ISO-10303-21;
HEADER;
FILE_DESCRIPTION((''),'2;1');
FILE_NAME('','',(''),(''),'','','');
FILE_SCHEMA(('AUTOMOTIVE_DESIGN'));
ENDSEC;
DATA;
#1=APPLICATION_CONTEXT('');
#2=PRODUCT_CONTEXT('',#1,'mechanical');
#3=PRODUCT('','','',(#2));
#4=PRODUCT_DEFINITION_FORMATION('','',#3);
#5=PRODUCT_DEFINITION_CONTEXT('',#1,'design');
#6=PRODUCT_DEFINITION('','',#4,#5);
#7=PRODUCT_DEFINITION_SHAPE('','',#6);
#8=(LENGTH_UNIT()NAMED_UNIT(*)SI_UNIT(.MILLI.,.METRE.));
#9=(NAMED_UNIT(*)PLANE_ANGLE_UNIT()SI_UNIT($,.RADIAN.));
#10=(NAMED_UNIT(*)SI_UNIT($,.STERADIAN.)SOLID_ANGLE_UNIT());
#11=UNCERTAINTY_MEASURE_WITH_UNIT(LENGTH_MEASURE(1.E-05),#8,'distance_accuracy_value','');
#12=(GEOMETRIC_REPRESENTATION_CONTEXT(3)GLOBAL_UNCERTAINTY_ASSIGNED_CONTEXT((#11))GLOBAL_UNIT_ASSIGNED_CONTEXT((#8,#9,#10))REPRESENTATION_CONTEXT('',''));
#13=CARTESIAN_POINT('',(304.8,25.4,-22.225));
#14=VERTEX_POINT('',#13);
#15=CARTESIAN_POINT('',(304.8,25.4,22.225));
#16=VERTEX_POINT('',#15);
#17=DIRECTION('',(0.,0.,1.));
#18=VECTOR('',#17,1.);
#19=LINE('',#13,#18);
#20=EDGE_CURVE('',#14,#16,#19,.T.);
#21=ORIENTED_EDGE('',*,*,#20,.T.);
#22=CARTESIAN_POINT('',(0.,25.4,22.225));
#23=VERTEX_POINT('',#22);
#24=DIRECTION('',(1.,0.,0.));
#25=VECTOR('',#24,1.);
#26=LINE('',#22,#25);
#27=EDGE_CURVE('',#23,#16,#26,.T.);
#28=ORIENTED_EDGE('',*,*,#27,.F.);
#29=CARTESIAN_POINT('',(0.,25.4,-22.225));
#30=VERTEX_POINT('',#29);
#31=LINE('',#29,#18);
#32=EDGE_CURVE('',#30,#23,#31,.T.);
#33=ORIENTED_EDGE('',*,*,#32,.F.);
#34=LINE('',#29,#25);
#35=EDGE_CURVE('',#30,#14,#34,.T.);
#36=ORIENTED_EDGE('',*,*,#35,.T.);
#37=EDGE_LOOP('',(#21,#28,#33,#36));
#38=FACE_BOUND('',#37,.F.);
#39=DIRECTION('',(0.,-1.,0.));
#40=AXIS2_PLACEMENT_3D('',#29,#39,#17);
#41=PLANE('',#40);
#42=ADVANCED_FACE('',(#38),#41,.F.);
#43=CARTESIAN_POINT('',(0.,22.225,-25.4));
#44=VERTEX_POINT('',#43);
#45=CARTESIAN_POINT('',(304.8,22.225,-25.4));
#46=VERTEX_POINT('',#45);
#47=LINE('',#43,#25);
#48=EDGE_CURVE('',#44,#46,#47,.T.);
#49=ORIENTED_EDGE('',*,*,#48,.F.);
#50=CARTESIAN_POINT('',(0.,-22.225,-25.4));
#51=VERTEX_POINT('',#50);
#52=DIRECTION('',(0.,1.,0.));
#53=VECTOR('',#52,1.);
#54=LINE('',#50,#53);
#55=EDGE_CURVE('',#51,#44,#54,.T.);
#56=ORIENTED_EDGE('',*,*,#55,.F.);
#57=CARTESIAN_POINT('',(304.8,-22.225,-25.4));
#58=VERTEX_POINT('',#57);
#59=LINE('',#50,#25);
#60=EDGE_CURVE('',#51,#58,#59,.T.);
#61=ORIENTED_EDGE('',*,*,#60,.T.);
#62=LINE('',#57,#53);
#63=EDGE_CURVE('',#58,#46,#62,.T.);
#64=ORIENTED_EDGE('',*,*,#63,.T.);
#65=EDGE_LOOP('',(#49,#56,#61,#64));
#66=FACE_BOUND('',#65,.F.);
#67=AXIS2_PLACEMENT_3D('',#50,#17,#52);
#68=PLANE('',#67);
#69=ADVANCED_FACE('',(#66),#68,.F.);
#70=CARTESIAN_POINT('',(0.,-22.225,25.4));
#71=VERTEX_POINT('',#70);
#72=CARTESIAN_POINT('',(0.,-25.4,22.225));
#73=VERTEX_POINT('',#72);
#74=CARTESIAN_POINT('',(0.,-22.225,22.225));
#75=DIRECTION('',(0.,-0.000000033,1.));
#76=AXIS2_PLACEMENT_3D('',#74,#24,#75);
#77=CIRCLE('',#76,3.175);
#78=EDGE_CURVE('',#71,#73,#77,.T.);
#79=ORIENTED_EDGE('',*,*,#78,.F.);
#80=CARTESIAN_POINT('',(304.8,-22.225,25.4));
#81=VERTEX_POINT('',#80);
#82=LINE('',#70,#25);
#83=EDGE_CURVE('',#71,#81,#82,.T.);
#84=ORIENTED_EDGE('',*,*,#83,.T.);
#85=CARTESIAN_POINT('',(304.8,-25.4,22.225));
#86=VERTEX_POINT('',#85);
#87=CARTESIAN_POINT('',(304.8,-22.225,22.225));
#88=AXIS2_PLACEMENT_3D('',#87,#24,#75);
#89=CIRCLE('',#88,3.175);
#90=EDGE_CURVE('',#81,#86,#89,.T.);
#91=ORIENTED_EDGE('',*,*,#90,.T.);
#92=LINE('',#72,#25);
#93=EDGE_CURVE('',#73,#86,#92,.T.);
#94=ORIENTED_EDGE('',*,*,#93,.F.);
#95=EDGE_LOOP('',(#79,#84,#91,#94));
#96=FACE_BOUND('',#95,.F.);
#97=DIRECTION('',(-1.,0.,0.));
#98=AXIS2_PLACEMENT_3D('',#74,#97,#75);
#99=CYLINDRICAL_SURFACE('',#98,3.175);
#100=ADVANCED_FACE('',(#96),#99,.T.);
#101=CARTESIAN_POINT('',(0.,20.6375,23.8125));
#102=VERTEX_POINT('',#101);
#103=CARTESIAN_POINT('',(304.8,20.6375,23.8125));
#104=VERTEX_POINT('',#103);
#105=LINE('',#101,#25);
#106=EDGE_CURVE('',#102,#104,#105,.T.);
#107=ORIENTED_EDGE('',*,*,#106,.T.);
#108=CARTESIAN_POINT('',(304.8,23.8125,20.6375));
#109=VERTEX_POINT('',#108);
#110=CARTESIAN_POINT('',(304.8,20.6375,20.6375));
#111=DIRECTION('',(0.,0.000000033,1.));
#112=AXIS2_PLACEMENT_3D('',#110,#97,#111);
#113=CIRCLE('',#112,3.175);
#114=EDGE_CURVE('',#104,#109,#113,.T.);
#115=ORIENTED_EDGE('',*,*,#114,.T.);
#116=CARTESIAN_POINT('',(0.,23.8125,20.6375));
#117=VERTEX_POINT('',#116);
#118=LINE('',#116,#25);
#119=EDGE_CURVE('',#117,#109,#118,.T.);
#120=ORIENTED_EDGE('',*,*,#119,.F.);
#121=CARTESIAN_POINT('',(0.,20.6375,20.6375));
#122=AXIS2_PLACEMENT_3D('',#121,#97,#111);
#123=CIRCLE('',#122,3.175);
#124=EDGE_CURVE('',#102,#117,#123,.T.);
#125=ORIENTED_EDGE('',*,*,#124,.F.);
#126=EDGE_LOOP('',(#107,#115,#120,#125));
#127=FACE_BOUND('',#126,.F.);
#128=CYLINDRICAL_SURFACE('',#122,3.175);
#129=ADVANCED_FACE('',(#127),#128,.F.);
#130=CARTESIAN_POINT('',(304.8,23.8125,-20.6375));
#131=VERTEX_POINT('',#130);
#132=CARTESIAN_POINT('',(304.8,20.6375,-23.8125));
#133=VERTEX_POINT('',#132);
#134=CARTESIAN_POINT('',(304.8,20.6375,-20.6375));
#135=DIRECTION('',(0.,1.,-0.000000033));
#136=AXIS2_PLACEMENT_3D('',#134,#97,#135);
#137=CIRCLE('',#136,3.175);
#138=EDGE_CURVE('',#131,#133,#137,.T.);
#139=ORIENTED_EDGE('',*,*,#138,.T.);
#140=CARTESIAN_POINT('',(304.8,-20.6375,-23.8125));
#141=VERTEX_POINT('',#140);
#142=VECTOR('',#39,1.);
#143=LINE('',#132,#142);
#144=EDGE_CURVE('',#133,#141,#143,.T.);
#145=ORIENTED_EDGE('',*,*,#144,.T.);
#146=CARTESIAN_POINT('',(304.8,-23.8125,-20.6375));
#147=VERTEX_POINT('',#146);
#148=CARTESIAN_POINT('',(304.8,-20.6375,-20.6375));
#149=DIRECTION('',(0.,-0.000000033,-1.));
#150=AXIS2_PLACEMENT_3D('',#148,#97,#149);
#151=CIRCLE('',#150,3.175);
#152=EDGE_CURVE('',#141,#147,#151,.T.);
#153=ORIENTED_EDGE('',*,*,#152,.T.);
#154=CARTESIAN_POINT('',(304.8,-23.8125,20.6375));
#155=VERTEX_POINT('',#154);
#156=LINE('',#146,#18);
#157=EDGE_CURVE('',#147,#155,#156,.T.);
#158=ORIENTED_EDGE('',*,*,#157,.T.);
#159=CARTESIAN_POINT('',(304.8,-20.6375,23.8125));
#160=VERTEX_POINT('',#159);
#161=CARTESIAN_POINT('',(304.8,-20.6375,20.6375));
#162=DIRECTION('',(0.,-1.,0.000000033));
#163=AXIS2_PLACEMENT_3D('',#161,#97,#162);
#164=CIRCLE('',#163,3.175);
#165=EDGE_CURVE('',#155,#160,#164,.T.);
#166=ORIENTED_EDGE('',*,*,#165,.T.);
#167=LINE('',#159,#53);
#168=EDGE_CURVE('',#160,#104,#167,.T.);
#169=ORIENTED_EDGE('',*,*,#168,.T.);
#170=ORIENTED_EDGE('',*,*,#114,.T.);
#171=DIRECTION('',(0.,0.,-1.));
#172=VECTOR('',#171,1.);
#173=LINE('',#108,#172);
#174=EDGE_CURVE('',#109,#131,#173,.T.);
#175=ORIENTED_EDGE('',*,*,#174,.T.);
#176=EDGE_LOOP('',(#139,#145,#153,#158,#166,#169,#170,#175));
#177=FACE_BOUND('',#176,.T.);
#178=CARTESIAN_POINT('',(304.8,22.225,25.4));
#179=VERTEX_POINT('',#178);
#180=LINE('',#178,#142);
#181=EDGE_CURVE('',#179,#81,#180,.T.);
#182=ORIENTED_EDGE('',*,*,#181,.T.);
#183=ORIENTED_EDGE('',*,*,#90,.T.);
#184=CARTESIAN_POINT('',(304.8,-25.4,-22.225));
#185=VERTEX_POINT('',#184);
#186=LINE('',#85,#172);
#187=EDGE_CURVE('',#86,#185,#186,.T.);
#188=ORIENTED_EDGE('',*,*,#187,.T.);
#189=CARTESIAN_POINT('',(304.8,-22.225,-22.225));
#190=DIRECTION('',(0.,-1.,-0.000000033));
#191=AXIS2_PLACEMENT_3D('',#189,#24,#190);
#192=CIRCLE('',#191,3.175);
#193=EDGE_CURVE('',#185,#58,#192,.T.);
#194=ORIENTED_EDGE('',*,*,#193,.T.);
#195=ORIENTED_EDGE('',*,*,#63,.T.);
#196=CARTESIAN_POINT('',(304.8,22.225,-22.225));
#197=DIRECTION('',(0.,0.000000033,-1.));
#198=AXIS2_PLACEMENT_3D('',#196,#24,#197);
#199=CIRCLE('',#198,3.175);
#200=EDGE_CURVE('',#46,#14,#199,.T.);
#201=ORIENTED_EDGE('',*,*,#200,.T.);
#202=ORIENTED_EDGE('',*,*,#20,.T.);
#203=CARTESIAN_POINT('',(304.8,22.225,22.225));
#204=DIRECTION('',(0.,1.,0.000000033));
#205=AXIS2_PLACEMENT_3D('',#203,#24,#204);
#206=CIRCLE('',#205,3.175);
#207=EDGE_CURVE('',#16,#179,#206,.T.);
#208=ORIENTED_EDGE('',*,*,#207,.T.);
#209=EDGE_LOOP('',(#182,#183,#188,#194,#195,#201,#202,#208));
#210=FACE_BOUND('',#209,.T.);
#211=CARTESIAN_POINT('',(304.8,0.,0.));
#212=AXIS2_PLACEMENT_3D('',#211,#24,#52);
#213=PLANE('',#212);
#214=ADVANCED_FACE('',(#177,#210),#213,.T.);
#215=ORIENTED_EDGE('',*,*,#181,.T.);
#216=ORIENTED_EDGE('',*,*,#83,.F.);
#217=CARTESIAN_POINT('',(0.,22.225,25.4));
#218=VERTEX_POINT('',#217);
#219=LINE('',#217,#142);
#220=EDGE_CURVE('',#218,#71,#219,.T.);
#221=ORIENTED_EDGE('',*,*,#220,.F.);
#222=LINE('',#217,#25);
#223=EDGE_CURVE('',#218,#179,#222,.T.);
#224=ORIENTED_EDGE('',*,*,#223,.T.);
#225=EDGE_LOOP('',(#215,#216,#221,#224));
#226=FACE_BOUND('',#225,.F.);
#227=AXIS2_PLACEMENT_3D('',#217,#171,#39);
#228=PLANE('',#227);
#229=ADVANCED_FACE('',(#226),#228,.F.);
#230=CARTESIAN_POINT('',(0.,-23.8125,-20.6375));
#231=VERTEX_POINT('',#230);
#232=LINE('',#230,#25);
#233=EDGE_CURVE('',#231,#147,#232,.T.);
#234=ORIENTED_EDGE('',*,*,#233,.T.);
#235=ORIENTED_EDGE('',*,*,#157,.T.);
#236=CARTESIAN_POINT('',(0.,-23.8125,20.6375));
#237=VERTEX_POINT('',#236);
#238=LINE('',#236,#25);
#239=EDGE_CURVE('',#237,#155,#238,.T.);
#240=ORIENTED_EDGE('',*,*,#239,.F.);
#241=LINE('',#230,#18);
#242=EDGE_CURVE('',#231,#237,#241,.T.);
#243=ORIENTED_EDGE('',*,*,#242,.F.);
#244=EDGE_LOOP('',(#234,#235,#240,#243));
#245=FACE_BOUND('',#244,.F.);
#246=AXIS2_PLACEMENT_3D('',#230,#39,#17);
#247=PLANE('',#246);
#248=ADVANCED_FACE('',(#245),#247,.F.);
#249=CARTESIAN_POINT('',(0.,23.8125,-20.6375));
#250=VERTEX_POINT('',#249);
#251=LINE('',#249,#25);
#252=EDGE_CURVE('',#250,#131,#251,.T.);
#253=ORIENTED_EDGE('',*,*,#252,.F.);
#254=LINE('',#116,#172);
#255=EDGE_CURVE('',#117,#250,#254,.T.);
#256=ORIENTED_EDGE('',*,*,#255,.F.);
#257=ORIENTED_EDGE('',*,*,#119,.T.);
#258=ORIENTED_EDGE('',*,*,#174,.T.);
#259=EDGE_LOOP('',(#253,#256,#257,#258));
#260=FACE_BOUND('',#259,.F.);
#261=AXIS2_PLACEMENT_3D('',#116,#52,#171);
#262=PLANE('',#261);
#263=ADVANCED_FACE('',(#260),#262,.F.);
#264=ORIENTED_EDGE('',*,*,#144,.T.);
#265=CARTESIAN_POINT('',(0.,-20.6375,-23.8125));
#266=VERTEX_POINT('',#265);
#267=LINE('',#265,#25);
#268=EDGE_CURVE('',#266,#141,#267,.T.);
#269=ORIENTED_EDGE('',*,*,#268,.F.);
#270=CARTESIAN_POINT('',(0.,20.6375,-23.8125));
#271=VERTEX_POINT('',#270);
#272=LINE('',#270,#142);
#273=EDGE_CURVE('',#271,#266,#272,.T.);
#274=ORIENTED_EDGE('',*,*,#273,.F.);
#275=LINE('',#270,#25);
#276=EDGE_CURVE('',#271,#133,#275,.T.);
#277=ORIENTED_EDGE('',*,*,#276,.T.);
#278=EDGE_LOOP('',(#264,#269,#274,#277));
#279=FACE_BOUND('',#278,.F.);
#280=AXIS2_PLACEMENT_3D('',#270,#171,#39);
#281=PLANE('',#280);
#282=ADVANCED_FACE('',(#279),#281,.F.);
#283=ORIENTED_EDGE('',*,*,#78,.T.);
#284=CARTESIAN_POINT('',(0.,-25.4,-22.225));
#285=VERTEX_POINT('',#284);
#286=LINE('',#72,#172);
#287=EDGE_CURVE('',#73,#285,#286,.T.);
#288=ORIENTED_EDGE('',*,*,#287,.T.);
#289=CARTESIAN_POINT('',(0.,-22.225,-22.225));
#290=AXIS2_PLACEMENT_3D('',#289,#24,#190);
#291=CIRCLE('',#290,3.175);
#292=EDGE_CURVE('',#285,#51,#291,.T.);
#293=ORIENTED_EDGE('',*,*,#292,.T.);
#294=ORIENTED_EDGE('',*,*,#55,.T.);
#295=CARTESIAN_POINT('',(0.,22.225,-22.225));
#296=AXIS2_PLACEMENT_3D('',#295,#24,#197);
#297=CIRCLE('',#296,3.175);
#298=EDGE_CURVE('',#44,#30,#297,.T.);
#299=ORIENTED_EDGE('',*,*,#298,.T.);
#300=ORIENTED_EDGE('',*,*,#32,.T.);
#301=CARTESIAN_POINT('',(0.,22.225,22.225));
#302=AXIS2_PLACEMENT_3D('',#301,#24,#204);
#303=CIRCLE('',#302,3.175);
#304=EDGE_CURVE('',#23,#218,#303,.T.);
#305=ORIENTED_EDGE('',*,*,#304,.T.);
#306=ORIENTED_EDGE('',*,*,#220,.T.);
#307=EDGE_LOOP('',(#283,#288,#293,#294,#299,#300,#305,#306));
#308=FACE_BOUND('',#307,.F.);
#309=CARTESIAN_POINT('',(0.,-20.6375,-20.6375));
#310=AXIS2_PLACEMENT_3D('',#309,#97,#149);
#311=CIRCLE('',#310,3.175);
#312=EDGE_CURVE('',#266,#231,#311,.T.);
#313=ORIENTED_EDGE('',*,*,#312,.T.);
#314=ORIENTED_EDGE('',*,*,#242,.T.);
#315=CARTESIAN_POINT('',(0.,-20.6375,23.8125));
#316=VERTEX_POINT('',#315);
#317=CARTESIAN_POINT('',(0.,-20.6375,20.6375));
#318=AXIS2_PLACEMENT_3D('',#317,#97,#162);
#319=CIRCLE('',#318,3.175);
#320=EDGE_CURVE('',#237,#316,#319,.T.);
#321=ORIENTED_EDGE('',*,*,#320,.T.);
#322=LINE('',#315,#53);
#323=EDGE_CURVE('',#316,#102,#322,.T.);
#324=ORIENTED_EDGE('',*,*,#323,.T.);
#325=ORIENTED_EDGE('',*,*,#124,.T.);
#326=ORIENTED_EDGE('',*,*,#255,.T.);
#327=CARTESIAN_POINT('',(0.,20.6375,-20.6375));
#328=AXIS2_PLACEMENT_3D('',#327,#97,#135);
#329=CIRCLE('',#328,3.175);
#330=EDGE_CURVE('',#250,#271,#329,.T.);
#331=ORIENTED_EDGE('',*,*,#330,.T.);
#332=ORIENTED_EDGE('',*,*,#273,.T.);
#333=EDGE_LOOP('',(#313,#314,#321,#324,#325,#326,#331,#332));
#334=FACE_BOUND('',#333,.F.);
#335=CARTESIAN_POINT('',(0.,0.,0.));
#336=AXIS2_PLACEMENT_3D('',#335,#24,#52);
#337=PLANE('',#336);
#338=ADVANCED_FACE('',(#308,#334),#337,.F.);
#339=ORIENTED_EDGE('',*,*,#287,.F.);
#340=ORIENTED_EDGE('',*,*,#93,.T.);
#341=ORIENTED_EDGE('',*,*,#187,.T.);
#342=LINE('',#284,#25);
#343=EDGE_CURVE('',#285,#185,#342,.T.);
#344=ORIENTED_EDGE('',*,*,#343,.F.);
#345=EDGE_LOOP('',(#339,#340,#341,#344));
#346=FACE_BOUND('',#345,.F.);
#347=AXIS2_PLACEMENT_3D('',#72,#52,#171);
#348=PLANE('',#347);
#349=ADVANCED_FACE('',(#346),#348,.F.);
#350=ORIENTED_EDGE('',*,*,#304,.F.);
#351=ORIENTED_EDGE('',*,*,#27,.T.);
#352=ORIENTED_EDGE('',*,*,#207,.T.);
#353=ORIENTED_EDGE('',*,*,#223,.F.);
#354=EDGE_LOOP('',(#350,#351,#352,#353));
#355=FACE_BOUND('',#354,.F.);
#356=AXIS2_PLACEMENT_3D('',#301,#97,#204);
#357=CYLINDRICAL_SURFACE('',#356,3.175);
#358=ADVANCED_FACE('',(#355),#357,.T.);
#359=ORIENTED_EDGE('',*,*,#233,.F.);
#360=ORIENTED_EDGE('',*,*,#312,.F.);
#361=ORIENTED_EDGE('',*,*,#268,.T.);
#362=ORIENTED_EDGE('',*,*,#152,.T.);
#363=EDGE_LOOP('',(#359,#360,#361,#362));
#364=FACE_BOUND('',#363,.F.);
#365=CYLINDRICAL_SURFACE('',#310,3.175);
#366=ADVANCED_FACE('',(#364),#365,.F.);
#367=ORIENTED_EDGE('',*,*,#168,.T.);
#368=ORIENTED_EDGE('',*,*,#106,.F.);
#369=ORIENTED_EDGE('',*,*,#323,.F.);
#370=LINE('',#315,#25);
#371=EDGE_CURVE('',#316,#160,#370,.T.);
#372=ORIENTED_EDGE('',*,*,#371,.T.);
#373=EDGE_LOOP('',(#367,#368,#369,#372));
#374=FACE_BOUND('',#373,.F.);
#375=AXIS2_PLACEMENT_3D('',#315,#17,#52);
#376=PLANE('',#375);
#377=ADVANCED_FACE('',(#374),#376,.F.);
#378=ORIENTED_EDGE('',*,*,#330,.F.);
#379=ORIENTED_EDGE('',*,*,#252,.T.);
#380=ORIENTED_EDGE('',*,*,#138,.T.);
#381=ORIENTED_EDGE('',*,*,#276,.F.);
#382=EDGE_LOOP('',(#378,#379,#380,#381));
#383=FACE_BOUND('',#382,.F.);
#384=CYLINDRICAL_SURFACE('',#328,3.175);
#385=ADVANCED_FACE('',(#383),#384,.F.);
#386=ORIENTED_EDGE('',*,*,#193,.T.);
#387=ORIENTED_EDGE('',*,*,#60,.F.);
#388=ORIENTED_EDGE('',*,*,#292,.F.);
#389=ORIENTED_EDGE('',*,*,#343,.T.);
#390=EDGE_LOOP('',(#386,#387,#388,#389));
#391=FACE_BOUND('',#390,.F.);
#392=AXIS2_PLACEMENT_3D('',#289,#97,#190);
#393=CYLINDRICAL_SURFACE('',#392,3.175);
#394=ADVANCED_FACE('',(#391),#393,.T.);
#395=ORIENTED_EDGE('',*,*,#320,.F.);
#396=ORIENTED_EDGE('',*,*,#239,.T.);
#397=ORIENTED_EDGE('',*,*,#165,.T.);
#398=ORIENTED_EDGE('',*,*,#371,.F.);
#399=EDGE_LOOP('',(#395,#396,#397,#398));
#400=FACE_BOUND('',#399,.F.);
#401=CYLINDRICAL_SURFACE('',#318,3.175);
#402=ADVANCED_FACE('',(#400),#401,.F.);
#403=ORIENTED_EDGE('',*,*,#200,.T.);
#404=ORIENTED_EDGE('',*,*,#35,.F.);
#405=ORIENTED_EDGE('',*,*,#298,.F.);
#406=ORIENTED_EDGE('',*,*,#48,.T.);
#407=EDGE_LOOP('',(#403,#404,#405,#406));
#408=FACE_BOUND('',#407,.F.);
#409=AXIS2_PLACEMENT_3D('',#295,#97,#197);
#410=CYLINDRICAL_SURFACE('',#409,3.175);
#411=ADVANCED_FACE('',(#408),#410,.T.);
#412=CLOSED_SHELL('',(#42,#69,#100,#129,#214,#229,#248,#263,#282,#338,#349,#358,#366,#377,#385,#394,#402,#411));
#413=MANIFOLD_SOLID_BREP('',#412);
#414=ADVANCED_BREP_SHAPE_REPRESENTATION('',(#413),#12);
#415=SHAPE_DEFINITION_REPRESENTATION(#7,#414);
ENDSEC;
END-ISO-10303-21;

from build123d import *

# Parameters (mm, degrees)
F1_DEPTH = 304.8


with BuildPart() as f1:
    # F0 (on Right) → F1 (new body)
    with BuildSketch(Plane.YZ):
        with BuildLine():
            ThreePointArc((25.4, 22.225), (24.470064, 24.470064), (22.225, 25.4))
            Line((22.225, 25.4), (-22.225, 25.4))
            ThreePointArc((-22.225, 25.4), (-24.470064, 24.470064), (-25.4, 22.225))
            Line((-25.4, 22.225), (-25.4, -22.225))
            ThreePointArc((-25.4, -22.225), (-24.470064, -24.470064), (-22.225, -25.4))
            Line((-22.225, -25.4), (22.225, -25.4))
            ThreePointArc((22.225, -25.4), (24.470064, -24.470064), (25.4, -22.225))
            Line((25.4, -22.225), (25.4, 22.225))
        make_face()
        with BuildLine():
            Line((-20.6375, 23.8125), (20.6375, 23.8125))
            ThreePointArc((20.6375, 23.8125), (22.882564, 22.882564), (23.8125, 20.6375))
            Line((23.8125, 20.6375), (23.8125, -20.6375))
            ThreePointArc((23.8125, -20.6375), (22.882564, -22.882564), (20.6375, -23.8125))
            Line((20.6375, -23.8125), (-20.6375, -23.8125))
            ThreePointArc((-20.6375, -23.8125), (-22.882564, -22.882564), (-23.8125, -20.6375))
            Line((-23.8125, -20.6375), (-23.8125, 20.6375))
            ThreePointArc((-23.8125, 20.6375), (-22.882564, 22.882564), (-20.6375, 23.8125))
        make_face(mode=Mode.SUBTRACT)
    extrude(amount=F1_DEPTH)


solid = f1.part
